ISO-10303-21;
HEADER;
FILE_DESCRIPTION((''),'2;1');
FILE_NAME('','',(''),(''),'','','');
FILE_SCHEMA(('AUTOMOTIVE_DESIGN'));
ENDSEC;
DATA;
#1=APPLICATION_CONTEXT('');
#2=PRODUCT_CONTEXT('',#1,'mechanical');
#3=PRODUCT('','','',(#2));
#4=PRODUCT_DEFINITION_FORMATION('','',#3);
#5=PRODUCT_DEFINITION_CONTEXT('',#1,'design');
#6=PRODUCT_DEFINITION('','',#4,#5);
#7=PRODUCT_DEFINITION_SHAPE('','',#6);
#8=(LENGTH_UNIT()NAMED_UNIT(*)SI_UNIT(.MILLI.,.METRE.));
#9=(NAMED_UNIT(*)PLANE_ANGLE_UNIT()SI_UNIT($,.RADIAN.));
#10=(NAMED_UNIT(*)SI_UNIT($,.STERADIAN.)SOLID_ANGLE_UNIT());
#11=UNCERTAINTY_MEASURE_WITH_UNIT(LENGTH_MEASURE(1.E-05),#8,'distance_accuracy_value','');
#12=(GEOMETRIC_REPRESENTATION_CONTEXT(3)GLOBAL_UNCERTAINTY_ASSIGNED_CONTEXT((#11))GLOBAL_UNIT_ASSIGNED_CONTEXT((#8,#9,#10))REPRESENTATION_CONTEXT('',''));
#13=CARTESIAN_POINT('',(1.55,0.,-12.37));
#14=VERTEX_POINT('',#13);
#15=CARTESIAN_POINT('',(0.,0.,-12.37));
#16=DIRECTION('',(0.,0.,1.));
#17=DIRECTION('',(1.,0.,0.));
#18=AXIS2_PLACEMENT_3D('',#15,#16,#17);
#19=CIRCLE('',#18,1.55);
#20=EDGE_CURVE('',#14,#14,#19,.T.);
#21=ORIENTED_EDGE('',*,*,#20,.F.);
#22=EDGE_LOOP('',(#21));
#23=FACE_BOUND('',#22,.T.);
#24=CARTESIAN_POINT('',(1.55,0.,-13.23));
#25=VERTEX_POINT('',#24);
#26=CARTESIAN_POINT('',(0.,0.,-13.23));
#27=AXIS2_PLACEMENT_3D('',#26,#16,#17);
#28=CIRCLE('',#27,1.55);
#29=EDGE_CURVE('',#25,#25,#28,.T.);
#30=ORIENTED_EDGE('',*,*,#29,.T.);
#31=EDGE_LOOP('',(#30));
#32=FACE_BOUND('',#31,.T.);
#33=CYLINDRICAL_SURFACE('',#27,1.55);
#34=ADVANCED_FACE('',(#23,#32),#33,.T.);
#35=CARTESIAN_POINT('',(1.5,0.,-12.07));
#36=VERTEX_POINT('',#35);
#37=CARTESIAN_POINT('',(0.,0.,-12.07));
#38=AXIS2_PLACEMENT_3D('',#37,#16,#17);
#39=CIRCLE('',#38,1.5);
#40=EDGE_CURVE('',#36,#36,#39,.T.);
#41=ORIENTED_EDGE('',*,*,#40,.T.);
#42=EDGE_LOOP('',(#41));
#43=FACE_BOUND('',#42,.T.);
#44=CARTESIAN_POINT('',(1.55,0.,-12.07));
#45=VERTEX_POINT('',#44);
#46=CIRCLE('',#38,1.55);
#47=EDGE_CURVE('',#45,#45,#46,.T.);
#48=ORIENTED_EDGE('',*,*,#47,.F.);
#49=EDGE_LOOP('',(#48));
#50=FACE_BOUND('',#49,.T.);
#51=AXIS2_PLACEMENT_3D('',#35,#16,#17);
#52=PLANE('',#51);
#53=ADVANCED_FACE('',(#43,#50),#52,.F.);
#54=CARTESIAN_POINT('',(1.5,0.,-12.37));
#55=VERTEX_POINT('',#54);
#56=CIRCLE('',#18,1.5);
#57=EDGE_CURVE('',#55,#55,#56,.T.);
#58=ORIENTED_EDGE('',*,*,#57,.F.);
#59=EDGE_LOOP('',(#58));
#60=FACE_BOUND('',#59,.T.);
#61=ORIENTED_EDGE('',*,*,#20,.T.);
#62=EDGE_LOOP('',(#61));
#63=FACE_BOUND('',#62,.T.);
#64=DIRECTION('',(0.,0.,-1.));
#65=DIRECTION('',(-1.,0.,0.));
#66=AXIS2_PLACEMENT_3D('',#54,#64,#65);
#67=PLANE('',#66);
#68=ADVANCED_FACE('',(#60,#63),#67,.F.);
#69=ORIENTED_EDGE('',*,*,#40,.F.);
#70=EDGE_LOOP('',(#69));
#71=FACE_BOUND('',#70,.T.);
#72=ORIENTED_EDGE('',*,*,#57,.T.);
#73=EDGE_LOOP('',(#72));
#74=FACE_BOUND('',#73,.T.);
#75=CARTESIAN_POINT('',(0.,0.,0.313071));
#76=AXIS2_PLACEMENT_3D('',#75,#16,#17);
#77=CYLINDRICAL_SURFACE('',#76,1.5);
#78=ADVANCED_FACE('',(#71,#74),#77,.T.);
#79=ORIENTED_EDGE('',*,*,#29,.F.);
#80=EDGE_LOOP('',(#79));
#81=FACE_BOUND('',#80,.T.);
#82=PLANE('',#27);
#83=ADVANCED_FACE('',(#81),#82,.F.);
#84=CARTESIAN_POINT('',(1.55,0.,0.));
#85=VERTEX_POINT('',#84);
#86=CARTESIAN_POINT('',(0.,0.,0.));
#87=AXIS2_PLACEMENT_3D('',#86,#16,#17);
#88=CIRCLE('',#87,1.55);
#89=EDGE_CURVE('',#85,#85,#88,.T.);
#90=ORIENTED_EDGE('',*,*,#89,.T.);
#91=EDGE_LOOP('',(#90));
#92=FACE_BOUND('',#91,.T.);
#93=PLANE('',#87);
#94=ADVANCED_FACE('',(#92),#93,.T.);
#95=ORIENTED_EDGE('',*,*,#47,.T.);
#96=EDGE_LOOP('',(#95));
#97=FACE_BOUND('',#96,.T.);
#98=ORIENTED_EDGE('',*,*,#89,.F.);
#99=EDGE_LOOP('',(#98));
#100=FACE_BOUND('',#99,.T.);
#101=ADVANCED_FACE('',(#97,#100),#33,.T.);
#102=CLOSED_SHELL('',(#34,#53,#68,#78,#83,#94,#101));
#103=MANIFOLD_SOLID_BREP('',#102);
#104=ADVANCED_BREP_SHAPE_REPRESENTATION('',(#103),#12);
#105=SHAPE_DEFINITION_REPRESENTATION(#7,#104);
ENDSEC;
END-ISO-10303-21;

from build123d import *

# Parameters (mm, degrees)
ESQUISSE1_R      = 1.55
EXTRUSION1_DEPTH = 13.23
ESQUISSE2_W      = 0.05
ESQUISSE2_H      = 0.3


with BuildPart() as part:
    # Esquisse1 → Extrusion1 (new body)
    with BuildSketch(Plane.XY):
        Circle(ESQUISSE1_R)
    extrude(amount=-EXTRUSION1_DEPTH)

    # Esquisse2 → Enlèvement de matière-Révolution1 (revolve, cut)
    with BuildSketch(Plane(origin=(0, 0, 0), x_dir=(1, 0, 0), z_dir=(0, 1, 0))):
        with Locations((1.525, 12.22)):
            Rectangle(ESQUISSE2_W, ESQUISSE2_H)
    revolve(axis=Axis((0, 0, 0.313071183), (0, 0, -1)), mode=Mode.SUBTRACT)


solid = part.part
